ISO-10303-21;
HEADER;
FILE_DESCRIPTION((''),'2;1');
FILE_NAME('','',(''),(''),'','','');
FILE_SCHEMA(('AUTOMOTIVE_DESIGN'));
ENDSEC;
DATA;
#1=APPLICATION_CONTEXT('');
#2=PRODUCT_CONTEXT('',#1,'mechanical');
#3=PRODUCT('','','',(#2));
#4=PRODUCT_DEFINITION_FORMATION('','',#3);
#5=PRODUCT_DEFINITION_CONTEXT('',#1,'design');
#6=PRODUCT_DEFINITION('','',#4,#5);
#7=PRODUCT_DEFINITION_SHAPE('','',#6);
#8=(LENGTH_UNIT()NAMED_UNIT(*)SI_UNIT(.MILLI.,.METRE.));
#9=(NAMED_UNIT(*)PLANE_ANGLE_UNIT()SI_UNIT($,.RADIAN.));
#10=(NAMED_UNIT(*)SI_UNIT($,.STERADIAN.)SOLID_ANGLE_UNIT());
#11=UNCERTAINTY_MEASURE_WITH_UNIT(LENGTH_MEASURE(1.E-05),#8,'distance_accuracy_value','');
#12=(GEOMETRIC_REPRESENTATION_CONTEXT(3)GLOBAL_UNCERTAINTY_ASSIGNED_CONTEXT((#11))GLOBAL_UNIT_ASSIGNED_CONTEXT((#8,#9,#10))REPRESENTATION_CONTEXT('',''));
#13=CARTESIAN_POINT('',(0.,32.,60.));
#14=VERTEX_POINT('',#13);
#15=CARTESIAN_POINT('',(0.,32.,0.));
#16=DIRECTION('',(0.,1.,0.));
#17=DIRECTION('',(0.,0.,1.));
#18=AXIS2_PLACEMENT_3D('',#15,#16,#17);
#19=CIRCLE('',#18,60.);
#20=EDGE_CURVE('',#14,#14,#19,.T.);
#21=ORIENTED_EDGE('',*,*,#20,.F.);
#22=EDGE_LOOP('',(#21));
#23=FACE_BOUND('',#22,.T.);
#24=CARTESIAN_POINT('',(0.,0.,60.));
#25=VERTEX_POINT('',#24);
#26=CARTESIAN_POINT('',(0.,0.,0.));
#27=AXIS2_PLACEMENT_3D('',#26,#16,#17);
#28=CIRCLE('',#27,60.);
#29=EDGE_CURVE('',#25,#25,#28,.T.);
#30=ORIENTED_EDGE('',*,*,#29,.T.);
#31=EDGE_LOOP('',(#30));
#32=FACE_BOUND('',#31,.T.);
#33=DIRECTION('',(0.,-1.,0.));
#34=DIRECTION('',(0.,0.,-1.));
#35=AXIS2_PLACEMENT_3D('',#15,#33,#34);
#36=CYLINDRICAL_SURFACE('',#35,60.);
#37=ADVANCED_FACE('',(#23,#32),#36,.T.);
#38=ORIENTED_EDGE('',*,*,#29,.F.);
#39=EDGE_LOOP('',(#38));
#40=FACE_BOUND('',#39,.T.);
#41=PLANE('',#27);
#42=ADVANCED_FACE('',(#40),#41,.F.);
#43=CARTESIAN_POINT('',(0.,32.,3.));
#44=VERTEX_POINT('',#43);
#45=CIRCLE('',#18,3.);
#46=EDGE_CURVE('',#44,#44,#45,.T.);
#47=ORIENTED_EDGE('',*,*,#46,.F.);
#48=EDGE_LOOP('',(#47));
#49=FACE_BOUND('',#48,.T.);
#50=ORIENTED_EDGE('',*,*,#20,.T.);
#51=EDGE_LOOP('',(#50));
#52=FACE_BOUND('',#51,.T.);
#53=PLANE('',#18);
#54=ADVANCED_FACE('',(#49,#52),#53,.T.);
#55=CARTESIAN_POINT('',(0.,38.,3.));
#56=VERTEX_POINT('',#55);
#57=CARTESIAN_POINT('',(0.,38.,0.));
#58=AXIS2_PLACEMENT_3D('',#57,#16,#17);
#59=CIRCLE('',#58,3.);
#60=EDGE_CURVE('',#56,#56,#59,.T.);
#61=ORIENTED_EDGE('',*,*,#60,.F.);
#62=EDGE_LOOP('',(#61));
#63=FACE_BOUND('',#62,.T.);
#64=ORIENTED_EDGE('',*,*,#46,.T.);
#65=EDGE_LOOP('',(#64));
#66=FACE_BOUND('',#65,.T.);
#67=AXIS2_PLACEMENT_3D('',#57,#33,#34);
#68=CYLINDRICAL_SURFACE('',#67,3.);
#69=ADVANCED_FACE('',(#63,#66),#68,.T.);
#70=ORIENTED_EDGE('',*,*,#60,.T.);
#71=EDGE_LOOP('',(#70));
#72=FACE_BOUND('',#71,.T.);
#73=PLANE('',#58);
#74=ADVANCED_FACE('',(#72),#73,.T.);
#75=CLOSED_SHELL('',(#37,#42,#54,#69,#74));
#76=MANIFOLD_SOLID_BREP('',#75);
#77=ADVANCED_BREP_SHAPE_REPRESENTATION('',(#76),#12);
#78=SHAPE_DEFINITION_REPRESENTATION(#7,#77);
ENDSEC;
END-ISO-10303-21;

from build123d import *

# Parameters (mm, degrees)
SKETCH1_R           = 60
BOSS_EXTRUDE1_DEPTH = 32
SKETCH2_R           = 3
BOSS_EXTRUDE2_DEPTH = 6


with BuildPart() as part:
    # Sketch1 → Boss-Extrude1 (new body)
    with BuildSketch(Plane(origin=(0, 0, 0), x_dir=(1, 0, 0), z_dir=(0, 1, 0))):
        Circle(SKETCH1_R)
    extrude(amount=BOSS_EXTRUDE1_DEPTH)

    # Sketch2 → Boss-Extrude2 (add)
    with BuildSketch(Plane(origin=(0, 32, 0), x_dir=(1, 0, 0), z_dir=(0, 1, 0))):
        Circle(SKETCH2_R)
    extrude(amount=BOSS_EXTRUDE2_DEPTH)


solid = part.part
